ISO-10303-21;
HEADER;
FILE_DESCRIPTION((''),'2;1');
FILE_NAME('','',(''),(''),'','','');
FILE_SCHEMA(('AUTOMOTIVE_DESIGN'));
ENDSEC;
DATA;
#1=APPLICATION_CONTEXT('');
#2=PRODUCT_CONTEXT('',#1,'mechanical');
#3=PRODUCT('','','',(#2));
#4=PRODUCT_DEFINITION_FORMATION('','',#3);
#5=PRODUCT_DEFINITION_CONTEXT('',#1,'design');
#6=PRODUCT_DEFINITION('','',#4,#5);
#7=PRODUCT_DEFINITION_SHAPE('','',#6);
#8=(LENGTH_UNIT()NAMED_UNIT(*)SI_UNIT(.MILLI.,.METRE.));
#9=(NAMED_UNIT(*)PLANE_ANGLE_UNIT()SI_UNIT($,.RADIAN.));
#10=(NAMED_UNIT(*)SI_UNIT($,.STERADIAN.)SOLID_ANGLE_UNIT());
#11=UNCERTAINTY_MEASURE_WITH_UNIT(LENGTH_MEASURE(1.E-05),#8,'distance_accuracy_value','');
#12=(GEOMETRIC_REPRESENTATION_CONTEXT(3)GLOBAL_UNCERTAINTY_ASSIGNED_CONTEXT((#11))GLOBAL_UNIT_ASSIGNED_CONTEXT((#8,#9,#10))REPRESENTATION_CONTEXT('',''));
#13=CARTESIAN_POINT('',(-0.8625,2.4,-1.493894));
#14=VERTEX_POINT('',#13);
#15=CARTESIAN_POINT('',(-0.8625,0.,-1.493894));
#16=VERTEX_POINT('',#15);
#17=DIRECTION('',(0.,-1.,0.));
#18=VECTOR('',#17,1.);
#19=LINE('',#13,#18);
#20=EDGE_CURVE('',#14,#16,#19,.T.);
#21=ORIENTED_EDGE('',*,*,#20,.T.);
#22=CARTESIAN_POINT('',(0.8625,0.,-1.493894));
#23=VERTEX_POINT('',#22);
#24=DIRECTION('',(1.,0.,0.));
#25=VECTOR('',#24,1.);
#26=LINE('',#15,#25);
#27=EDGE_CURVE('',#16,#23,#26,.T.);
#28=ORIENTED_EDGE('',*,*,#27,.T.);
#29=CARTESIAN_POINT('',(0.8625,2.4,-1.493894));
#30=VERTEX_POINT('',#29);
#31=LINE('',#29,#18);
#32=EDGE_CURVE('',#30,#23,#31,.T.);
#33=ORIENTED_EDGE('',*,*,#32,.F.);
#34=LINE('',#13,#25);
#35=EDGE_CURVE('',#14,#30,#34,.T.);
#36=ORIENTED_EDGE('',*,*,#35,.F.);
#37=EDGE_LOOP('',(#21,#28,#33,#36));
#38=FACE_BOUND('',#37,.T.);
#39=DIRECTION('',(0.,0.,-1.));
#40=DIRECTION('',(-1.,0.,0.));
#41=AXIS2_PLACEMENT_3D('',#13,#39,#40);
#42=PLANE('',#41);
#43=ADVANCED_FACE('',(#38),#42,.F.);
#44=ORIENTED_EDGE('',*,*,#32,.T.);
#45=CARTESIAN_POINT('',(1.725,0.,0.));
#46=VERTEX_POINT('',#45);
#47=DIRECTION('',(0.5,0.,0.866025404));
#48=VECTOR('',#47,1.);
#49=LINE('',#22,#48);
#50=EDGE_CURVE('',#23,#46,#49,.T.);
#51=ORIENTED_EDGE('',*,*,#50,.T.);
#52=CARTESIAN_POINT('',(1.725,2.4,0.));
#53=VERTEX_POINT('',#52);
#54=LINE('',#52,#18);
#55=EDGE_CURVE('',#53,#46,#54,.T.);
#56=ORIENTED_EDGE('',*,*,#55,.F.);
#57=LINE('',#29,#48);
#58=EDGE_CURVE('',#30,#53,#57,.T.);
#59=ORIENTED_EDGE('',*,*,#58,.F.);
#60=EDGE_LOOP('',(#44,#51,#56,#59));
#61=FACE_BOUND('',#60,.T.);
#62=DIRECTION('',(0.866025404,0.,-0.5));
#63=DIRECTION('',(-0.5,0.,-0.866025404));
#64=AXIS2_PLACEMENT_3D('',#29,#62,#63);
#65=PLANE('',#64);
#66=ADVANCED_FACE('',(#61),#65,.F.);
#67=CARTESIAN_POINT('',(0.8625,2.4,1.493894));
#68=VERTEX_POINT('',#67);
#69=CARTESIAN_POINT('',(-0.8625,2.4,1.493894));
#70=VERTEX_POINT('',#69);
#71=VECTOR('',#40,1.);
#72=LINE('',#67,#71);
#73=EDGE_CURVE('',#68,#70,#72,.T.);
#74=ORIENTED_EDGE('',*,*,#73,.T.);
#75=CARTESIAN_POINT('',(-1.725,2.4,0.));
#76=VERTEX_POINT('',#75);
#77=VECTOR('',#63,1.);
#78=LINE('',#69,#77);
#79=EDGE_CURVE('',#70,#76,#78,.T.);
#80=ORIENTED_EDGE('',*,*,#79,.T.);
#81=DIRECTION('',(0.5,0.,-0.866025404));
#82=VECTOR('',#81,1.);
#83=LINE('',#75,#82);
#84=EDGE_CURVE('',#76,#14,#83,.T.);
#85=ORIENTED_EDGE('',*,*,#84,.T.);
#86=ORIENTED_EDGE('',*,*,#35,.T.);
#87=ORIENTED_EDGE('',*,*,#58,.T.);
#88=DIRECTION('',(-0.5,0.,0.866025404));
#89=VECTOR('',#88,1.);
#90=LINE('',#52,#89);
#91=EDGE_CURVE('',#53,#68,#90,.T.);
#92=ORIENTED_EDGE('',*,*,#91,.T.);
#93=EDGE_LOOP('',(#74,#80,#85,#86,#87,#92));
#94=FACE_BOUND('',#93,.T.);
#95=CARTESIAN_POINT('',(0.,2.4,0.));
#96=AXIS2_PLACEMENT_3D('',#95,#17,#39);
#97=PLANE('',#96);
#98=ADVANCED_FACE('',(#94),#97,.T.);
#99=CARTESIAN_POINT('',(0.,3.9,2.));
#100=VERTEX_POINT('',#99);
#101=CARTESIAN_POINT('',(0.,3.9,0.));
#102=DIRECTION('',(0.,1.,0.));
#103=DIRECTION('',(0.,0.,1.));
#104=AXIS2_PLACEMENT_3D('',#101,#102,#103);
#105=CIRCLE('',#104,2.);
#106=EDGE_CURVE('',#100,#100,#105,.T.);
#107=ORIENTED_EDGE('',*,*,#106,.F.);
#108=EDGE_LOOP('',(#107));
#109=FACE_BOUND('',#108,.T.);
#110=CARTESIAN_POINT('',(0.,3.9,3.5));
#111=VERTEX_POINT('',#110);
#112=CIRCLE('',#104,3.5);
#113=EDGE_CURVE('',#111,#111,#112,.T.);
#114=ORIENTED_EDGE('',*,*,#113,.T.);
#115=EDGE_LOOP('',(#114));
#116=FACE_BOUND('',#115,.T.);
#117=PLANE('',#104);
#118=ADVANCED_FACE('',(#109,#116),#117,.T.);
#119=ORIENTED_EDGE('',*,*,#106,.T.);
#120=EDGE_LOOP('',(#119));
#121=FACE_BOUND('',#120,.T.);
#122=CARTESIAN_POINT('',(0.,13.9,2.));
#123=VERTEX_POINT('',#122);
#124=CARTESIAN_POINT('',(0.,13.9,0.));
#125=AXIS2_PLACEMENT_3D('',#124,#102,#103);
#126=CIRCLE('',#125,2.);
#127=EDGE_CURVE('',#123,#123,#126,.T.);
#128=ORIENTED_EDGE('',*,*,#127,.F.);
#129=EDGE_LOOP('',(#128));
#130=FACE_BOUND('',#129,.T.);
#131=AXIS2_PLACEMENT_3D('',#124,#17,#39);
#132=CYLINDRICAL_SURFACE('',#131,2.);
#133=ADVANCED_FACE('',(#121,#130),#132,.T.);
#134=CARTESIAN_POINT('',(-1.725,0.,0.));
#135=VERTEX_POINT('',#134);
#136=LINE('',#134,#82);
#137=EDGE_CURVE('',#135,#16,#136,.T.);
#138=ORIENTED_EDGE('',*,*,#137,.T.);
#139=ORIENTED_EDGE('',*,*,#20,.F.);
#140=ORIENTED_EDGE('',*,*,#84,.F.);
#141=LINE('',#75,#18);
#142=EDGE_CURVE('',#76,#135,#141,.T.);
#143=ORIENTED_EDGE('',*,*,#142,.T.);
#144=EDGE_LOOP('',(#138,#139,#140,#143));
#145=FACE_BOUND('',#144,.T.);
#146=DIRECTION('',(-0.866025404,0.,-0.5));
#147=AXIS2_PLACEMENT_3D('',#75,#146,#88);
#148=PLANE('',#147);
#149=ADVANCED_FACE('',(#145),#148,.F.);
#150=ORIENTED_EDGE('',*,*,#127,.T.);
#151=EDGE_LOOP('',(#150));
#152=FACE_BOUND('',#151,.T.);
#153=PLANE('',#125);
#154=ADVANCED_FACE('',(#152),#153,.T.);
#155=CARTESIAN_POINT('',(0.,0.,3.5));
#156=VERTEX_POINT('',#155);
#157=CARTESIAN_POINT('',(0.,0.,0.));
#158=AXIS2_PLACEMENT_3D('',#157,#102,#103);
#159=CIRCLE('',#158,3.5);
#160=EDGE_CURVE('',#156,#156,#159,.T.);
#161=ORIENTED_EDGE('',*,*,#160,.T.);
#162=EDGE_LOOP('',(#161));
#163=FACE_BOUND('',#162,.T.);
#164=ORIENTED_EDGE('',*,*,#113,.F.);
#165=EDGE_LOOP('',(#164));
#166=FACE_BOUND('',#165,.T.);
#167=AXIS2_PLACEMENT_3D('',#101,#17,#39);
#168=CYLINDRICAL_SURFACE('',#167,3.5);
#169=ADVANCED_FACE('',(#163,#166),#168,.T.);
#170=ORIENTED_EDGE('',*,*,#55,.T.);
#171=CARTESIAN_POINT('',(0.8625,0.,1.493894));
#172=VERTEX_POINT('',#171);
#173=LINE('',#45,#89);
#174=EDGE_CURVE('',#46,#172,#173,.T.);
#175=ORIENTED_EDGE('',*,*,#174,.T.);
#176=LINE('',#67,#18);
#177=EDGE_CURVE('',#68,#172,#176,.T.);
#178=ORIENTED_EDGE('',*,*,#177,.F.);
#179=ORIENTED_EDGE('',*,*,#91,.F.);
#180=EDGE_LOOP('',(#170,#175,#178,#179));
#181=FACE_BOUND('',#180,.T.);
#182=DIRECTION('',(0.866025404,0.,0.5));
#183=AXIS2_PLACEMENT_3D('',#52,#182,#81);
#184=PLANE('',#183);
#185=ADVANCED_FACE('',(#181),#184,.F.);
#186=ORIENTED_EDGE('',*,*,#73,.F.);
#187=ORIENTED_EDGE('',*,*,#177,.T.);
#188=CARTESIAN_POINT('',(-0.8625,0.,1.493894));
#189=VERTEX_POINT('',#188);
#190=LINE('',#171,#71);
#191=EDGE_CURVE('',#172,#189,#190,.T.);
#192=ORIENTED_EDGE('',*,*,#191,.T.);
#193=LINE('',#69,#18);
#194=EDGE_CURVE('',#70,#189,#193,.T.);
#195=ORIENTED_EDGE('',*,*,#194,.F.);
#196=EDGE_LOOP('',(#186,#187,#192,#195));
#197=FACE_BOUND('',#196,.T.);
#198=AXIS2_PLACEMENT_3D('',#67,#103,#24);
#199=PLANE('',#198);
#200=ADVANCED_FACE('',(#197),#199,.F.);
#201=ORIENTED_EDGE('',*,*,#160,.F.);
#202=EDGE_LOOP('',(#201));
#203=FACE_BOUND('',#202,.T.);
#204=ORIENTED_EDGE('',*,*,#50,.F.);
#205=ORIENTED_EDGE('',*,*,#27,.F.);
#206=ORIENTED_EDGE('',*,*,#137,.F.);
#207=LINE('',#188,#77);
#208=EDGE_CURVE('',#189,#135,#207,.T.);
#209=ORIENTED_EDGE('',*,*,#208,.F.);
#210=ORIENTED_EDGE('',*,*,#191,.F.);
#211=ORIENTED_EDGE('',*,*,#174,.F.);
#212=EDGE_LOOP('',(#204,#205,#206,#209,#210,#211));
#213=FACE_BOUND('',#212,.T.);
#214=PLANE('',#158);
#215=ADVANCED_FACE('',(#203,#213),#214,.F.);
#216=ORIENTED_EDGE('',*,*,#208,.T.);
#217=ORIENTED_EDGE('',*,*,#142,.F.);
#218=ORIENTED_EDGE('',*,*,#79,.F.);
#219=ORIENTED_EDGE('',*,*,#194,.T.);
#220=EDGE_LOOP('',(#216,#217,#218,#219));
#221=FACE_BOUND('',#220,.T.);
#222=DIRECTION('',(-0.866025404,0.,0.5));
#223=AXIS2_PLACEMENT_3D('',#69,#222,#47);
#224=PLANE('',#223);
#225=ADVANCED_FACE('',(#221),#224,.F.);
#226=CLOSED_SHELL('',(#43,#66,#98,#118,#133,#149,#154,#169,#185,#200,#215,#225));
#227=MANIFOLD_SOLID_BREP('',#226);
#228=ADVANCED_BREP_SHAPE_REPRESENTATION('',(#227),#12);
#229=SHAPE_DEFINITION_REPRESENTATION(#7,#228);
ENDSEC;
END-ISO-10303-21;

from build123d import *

# Parameters (mm, degrees)
SKETCH_1_R          = 3.5
EXTRUDE_1_DEPTH     = 3.9
SKETCH_2_R          = 2
EXTRUDE_2_DEPTH     = 10
CUT_EXTRUDE_1_DEPTH = 2.4


with BuildPart() as part:
    # 草图1 → 凸台-拉伸1 (new body)
    with BuildSketch(Plane(origin=(0, 0, 0), x_dir=(1, 0, 0), z_dir=(0, 1, 0))):
        Circle(SKETCH_1_R)
    extrude(amount=EXTRUDE_1_DEPTH)

    # 草图2 → 凸台-拉伸2 (add)
    with BuildSketch(Plane(origin=(0, 3.9, 0), x_dir=(1, 0, 0), z_dir=(0, 1, 0))):
        Circle(SKETCH_2_R)
    extrude(amount=EXTRUDE_2_DEPTH)

    # 草图3 → 切除-拉伸1 (cut)
    with BuildSketch(Plane.XZ):
        Polygon((1.725, 0), (0.8625, 1.493893822), (-0.8625, 1.493893822), (-1.725, 0), (-0.8625, -1.493893822), (0.8625, -1.493893822), align=None)
    extrude(amount=-CUT_EXTRUDE_1_DEPTH, mode=Mode.SUBTRACT)


solid = part.part
